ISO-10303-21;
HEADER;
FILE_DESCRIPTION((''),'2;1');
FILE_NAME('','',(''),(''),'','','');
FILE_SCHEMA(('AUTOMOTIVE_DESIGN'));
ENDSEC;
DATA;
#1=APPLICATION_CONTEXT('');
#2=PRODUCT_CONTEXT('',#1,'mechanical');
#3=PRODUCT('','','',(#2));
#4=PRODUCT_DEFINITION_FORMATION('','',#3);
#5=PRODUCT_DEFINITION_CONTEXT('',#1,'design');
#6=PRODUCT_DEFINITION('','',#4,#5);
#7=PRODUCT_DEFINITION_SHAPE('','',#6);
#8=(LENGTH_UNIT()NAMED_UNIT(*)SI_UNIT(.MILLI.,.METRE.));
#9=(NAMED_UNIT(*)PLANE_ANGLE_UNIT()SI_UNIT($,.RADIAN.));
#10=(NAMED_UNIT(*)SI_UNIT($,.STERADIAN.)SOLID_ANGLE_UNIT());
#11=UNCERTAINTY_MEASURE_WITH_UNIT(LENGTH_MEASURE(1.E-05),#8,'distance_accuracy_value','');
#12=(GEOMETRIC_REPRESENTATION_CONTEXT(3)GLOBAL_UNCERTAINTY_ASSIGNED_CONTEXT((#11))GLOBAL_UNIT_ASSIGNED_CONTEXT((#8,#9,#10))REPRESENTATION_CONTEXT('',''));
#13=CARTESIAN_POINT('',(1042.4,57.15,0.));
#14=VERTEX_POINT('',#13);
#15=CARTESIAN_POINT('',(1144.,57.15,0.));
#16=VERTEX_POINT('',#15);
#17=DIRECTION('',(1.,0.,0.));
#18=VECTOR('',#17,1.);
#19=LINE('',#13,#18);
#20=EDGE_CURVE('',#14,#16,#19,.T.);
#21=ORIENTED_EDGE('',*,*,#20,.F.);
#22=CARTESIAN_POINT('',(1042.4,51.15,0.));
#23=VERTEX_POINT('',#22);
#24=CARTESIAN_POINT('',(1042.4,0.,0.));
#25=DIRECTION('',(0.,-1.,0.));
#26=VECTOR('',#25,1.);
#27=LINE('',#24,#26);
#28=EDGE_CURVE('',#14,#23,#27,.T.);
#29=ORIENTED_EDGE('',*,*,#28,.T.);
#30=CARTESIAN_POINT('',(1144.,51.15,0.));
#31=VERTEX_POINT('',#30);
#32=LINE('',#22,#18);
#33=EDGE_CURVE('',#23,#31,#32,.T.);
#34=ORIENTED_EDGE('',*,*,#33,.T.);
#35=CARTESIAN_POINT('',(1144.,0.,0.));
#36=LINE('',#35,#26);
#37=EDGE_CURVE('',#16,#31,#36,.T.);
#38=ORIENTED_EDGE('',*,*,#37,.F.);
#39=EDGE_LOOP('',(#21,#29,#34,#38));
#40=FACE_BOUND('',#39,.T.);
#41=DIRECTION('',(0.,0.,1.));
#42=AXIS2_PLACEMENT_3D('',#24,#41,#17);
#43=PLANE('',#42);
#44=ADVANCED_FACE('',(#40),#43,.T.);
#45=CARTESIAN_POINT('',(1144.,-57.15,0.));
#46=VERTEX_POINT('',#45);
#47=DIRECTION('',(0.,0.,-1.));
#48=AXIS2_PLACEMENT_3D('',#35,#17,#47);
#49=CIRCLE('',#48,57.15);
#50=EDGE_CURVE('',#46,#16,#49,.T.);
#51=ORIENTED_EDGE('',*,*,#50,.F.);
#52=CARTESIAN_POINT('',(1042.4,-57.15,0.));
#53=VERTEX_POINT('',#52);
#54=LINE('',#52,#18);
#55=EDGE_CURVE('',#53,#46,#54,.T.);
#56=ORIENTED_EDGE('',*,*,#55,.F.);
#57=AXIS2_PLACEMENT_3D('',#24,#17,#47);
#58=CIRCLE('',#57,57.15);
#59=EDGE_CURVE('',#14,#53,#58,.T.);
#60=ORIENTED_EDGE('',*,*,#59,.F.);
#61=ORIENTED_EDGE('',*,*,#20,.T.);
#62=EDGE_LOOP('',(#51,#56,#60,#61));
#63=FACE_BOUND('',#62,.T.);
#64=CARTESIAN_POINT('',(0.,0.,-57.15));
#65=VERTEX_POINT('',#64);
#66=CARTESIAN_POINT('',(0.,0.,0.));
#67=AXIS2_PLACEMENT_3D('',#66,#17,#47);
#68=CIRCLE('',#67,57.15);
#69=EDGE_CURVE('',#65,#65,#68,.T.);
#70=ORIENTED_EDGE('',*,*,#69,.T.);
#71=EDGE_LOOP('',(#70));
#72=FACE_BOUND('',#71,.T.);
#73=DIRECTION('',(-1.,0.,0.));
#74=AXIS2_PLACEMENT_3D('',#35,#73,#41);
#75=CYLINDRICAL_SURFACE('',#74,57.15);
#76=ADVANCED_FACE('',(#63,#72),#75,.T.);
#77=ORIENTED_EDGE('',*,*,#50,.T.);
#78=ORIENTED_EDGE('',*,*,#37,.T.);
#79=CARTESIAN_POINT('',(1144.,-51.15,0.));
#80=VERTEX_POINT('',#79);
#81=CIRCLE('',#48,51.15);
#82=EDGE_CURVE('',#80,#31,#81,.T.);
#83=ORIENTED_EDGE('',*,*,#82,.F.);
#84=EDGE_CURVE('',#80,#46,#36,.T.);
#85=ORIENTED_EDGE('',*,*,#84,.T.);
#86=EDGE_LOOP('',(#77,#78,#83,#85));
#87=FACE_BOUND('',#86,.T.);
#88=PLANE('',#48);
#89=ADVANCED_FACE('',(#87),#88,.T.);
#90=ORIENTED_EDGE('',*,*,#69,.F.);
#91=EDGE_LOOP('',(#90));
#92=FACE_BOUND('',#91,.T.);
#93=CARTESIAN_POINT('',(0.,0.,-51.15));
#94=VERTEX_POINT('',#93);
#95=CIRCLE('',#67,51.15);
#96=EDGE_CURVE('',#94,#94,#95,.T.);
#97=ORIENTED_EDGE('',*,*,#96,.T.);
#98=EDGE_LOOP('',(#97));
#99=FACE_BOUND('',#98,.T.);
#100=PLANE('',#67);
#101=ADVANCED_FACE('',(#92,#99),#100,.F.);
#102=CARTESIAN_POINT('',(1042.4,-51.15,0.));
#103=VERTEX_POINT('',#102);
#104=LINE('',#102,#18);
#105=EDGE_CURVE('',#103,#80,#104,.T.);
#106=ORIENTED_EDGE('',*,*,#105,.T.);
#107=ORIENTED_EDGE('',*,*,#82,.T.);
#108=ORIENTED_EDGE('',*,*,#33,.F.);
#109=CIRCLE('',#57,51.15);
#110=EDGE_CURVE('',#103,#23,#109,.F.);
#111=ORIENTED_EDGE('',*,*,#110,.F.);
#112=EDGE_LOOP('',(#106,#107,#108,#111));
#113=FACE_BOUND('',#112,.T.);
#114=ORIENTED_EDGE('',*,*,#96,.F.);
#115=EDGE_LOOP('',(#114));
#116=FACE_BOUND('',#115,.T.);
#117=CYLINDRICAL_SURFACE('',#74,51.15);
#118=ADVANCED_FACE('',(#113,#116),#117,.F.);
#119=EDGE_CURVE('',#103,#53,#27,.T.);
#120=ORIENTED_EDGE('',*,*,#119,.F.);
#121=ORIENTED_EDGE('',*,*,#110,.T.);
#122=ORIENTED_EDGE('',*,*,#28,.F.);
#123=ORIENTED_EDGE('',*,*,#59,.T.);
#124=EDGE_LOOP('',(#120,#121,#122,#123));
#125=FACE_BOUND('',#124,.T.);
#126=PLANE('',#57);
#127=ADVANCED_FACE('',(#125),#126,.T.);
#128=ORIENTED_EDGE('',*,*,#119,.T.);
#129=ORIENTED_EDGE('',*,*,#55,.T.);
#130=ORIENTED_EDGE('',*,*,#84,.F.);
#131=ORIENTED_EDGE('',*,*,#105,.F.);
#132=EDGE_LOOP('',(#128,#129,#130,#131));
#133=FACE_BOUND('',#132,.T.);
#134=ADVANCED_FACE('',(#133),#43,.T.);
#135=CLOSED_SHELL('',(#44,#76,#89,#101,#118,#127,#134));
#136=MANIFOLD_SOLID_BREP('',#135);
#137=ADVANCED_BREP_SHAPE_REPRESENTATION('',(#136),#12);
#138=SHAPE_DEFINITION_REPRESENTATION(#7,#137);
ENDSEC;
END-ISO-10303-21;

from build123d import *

# Parameters (mm, degrees)
CROQUIS1_R              = 57.15
CROQUIS1_R_2            = 51.15
SALIENTE_EXTRUIR1_DEPTH = 1144
CORTAR_EXTRUIR1_START   = -101.6
CORTAR_EXTRUIR1_DEPTH   = 101.6


with BuildPart() as part:
    # Croquis1 → Saliente-Extruir1 (new body)
    with BuildSketch(Plane(origin=(0, 0, 0), x_dir=(0, 0, -1), z_dir=(1, 0, 0))):
        Circle(CROQUIS1_R)
        Circle(CROQUIS1_R_2, mode=Mode.SUBTRACT)
    extrude(amount=SALIENTE_EXTRUIR1_DEPTH)

    # Croquis3 → Cortar-Extruir1 (cut)
    with BuildSketch(Plane(origin=(1144, 0, 0), x_dir=(0, 0, -1), z_dir=(1, 0, 0)).offset(CORTAR_EXTRUIR1_START)):
        with BuildLine():
            Line((0, 57.15), (0, -57.15))
            ThreePointArc((0, -57.15), (-57.15, 0), (0, 57.15))
        make_face()
    extrude(amount=CORTAR_EXTRUIR1_DEPTH, mode=Mode.SUBTRACT)


solid = part.part
